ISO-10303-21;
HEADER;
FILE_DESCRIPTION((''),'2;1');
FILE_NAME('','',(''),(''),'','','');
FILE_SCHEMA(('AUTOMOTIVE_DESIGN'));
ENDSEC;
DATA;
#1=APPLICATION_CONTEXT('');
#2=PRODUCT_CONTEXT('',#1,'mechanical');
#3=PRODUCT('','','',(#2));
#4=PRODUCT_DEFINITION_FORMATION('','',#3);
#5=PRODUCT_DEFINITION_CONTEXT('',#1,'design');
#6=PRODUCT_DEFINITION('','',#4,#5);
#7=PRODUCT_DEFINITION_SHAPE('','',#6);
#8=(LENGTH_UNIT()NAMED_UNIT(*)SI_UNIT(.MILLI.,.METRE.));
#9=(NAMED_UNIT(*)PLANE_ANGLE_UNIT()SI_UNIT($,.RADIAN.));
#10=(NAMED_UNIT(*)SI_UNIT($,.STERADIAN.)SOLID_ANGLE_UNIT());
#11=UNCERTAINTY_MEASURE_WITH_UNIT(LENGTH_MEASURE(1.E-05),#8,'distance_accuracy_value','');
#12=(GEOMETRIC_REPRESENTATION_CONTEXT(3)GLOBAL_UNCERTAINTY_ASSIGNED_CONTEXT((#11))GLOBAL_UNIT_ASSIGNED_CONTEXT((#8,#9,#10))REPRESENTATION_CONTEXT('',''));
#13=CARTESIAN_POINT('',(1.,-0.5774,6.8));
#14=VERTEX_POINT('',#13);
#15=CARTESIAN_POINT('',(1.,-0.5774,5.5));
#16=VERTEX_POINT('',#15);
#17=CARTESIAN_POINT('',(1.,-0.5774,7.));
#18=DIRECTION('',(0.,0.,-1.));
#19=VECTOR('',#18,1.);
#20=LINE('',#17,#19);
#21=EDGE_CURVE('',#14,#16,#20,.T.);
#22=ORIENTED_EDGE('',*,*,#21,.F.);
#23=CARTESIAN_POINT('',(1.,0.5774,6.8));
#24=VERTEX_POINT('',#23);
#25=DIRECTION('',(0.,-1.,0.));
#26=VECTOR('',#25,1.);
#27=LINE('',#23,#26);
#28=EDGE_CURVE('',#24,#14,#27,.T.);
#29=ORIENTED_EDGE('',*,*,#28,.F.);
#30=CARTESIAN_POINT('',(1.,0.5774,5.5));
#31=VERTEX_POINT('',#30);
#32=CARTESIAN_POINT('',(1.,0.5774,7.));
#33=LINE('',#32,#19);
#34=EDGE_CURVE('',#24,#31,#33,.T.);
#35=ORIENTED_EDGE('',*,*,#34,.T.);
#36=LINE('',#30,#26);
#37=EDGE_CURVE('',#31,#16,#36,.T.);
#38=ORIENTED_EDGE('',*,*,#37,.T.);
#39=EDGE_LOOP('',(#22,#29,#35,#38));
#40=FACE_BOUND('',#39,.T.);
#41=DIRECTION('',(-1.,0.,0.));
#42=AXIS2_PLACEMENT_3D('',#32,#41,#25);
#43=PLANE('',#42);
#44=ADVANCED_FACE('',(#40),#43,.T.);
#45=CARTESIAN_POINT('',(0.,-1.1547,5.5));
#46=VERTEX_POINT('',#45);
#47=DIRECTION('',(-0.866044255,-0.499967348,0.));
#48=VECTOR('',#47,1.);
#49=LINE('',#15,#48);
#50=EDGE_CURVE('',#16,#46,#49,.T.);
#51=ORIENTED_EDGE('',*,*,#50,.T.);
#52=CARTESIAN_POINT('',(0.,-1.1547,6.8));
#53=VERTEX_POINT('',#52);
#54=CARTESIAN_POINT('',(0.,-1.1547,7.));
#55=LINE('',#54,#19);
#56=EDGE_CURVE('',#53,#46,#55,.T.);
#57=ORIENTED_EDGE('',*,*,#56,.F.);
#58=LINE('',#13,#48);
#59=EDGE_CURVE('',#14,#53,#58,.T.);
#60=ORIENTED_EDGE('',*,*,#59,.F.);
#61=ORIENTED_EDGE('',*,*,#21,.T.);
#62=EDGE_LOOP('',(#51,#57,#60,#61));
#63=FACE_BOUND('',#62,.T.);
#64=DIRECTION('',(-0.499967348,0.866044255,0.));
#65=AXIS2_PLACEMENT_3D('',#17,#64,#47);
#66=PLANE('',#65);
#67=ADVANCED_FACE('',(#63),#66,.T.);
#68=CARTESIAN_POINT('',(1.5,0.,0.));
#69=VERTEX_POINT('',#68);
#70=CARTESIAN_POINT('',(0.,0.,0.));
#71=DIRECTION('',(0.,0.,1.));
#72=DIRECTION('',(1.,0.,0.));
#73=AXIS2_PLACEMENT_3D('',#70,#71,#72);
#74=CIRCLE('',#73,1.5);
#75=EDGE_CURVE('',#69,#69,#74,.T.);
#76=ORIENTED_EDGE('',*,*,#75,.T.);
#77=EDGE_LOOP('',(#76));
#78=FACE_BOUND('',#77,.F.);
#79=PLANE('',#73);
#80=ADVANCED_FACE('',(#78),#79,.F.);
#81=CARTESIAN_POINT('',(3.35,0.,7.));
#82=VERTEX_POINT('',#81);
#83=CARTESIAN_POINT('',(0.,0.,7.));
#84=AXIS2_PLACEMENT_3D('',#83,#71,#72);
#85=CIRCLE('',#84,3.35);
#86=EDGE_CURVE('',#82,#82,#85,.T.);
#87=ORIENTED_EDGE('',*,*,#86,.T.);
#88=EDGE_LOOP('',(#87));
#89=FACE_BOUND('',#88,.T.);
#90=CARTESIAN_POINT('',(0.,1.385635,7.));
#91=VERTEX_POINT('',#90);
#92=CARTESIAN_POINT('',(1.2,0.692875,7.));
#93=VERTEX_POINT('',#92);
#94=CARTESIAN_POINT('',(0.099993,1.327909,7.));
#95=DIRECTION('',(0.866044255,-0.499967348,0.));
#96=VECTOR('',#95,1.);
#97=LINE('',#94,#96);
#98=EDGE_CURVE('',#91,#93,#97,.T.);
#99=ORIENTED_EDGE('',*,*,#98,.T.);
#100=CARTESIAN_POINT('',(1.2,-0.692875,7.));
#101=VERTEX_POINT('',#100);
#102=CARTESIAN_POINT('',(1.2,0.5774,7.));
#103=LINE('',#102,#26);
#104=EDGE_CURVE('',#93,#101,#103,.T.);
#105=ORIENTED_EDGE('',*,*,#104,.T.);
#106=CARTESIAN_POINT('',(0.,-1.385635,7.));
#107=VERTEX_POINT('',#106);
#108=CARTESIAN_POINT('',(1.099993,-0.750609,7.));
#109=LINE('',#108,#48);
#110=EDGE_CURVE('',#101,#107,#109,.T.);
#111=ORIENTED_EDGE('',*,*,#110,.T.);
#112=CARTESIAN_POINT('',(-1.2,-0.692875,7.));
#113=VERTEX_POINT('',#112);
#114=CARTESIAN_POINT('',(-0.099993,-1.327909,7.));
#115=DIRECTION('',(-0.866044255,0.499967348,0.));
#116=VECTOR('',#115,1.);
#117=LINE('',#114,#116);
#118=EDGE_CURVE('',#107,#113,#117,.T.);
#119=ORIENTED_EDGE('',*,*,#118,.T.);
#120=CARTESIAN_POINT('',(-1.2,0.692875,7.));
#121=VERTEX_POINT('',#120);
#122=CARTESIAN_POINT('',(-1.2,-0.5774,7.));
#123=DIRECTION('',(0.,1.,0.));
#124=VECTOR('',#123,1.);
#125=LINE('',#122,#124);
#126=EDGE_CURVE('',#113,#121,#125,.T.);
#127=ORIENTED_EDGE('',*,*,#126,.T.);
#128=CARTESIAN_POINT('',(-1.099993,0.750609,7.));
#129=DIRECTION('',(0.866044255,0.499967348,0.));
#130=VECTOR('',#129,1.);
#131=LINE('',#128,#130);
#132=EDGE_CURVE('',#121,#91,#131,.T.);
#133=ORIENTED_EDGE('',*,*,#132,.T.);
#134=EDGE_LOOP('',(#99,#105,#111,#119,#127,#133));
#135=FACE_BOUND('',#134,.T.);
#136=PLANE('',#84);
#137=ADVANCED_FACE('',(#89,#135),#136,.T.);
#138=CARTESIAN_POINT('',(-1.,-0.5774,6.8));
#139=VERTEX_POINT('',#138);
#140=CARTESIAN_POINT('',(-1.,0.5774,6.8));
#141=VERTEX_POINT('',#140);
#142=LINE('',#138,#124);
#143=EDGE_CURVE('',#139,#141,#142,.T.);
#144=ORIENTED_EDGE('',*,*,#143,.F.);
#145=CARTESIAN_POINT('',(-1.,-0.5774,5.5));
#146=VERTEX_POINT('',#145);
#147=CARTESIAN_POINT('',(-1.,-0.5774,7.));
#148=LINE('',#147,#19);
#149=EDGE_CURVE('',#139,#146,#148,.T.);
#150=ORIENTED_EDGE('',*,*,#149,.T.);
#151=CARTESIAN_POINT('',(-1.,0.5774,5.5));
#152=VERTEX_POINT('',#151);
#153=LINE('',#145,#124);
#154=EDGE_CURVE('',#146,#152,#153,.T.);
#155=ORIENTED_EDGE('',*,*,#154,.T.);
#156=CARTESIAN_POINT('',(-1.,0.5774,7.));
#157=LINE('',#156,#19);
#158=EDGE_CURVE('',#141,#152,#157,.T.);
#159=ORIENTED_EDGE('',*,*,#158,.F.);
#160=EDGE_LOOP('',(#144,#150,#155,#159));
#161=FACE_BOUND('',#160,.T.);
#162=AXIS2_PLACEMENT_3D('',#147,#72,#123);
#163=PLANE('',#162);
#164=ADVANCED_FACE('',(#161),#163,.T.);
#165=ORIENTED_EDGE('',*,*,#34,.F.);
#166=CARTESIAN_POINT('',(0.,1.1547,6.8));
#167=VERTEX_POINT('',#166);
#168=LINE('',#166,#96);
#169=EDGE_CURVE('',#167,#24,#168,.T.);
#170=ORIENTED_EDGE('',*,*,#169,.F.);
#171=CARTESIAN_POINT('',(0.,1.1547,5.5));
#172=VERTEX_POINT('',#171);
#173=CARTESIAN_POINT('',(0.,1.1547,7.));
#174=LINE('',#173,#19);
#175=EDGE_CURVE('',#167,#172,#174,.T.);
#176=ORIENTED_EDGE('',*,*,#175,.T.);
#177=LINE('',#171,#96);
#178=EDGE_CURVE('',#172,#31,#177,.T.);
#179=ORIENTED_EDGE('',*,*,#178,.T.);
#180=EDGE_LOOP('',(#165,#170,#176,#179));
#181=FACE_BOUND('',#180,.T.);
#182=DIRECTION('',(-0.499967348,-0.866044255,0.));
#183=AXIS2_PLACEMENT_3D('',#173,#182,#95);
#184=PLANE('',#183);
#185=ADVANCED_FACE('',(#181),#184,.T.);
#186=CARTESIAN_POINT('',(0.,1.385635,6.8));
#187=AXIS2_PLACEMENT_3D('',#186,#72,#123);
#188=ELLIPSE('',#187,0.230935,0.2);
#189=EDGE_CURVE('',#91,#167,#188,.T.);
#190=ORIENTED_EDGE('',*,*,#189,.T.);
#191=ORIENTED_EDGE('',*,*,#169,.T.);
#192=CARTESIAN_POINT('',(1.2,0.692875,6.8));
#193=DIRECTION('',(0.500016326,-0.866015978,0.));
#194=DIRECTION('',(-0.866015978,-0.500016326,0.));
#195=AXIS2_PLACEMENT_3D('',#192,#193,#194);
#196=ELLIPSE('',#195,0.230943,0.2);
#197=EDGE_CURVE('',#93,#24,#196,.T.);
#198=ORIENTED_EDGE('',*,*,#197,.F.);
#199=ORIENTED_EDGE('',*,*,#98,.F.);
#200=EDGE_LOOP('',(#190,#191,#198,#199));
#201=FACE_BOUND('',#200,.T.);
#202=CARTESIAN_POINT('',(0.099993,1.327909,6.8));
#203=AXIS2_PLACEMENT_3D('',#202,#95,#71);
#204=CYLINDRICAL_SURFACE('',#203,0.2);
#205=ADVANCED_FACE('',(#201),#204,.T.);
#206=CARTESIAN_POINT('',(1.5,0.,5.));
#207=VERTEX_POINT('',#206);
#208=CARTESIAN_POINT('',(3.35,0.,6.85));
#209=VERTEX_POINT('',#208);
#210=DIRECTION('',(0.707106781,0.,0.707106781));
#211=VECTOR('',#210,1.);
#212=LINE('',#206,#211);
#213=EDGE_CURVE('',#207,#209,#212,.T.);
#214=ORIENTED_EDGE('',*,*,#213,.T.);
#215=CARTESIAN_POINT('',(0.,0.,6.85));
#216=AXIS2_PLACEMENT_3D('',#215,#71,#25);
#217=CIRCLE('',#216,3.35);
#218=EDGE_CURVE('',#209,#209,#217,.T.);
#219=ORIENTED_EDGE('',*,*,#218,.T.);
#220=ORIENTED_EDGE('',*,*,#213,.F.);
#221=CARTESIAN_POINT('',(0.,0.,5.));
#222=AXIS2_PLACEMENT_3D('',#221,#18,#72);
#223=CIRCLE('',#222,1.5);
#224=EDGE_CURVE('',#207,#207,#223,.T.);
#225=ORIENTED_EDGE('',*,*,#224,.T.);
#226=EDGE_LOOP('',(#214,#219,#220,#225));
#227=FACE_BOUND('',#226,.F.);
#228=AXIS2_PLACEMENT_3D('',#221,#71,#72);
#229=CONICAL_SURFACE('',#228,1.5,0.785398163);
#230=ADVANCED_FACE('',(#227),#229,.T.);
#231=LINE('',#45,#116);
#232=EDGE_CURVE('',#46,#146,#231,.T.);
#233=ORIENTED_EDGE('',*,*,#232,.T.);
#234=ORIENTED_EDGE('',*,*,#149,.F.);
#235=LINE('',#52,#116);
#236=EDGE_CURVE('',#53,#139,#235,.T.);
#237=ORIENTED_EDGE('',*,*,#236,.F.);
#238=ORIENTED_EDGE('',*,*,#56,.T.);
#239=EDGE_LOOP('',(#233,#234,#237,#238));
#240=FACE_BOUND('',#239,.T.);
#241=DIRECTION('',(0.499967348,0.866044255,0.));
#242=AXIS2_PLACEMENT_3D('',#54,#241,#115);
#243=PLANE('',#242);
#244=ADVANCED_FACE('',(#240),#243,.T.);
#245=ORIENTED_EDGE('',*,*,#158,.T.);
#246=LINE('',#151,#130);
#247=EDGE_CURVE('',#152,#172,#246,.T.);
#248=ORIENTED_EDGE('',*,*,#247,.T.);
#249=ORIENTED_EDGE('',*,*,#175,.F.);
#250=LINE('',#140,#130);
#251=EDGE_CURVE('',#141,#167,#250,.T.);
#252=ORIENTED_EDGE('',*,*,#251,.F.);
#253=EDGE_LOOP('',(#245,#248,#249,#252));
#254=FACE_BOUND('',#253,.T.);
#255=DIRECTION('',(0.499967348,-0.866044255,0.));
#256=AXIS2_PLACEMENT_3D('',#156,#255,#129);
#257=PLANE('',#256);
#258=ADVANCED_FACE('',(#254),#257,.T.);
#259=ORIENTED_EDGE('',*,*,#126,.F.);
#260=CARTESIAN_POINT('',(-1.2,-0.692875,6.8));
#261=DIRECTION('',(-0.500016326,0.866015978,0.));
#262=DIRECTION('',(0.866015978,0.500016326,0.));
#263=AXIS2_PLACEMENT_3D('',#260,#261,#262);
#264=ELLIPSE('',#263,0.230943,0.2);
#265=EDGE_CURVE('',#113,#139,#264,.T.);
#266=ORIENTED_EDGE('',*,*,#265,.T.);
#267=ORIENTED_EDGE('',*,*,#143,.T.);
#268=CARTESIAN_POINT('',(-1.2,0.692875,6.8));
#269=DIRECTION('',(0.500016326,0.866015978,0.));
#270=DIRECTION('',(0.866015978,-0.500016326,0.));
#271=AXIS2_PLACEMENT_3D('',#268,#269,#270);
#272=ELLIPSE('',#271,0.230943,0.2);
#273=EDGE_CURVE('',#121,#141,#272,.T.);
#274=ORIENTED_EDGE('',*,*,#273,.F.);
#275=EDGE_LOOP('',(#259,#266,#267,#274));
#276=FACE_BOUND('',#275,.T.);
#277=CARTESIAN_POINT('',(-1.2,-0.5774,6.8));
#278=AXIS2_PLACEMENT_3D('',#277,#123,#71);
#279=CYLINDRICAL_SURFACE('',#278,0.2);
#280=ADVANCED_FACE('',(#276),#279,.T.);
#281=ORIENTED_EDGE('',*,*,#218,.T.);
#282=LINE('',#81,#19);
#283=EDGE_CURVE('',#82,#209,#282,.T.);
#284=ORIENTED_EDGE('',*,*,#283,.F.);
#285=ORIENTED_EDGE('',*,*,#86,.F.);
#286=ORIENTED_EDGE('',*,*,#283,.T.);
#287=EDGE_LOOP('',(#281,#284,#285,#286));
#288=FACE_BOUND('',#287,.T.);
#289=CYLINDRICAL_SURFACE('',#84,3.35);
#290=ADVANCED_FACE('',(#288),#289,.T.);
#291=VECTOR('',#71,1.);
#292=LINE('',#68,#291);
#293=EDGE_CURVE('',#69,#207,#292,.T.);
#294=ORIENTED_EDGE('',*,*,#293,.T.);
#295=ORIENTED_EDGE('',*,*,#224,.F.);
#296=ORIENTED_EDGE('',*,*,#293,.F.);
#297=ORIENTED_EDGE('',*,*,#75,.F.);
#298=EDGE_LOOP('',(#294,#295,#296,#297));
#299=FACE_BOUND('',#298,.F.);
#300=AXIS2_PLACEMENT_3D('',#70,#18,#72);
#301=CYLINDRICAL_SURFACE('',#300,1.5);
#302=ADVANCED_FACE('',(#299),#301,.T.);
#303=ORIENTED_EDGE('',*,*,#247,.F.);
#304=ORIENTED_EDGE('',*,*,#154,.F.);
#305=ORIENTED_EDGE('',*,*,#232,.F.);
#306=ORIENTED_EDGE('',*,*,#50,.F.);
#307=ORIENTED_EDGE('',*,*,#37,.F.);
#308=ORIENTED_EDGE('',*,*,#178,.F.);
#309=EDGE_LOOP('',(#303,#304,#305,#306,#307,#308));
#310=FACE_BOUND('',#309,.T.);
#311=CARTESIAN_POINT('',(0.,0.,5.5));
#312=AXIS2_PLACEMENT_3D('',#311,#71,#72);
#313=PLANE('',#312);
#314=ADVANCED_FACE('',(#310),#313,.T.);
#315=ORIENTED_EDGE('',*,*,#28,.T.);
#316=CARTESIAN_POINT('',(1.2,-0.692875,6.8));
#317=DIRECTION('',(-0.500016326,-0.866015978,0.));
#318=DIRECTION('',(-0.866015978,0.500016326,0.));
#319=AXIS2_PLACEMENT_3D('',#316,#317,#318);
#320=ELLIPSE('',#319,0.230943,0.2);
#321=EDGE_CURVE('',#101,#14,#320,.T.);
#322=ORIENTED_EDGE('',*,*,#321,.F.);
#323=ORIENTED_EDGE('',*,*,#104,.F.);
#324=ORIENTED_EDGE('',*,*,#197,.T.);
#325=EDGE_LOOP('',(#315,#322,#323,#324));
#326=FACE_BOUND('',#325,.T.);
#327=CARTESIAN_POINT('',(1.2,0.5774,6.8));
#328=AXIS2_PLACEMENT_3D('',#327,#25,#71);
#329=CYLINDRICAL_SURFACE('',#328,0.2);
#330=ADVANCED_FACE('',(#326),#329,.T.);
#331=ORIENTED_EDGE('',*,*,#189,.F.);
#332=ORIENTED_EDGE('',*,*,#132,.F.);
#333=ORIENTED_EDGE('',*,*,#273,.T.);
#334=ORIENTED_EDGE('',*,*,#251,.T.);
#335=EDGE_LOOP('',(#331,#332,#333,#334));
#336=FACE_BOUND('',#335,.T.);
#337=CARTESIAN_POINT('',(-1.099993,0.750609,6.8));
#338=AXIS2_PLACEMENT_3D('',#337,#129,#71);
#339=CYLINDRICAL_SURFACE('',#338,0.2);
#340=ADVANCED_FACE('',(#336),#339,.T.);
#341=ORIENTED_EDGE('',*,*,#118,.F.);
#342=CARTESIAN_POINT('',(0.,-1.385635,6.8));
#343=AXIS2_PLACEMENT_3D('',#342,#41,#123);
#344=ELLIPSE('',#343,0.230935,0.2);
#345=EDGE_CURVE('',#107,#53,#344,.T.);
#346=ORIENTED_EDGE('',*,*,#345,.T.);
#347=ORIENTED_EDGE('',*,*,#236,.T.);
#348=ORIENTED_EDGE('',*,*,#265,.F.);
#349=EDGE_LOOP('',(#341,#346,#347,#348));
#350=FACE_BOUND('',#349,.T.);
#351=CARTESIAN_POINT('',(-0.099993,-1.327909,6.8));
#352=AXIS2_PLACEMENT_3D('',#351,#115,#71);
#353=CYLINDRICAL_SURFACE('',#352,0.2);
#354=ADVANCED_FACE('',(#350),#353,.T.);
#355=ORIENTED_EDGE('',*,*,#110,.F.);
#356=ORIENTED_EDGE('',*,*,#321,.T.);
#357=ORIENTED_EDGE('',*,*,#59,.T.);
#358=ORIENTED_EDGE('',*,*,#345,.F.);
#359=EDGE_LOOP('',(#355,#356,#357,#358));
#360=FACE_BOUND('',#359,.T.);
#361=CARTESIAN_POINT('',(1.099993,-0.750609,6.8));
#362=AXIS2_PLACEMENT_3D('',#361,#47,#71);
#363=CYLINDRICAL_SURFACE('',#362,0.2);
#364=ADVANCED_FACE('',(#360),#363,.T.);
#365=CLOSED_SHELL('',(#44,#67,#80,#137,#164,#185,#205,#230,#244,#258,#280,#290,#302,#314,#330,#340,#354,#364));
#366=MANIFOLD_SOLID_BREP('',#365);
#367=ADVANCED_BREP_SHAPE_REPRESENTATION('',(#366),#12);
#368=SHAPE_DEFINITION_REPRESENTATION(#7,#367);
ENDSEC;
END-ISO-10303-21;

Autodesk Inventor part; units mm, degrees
ref_plane "YZ Plane" through (0, 0, 0) normal (1, 0, 0) x (0, 1, 0)
ref_plane "XZ Plane" through (0, 0, 0) normal (0, 1, 0) x (-1, 0, 0)
ref_plane "XY Plane" through (0, 0, 0) normal (0, 0, 1) x (1, 0, 0)
sketch "Sketch1" plane through (0, 0, 0) normal (0, 0, 1) x (1, 0, 0)
  circle A0 centre (0, 0) radius 1.5
  dimension "d0" = 3
extrude "Extrusion1" add sketch "Sketch1" along normal blind 5
sketch "Sketch2" plane through (0, 0, 5) normal (0, 0, 1) x (1, 0, 0)
  circle A0 centre (0, 0) radius 1.5 projected
extrude "Extrusion2" add sketch "Sketch2" along normal blind 2 draft 45
sketch "Sketch3" plane through (0, 0, 7) normal (0, 0, 1) x (1, 0, 0)
  circle A0 centre (0, 0) radius 3.5 projected
  circle A1 centre (0, 0) radius 3.35
  dimension "d5" = 6.7
extrude "Extrusion3" cut sketch "Sketch3" against normal blind 2
thread "Thread1" size "M3x0.5" class "6g" standard "ANSI Metric M Profile" full length
sketch "Sketch4" plane through (0, 0, 7) normal (0, 0, 1) x (1, 0, 0)
  circle A0 centre (0, 0) radius 3.35 projected
  line L0 (0, -1.1547) -> (-1, -0.5774)
  line L1 (-1, -0.5774) -> (-1, 0.5774)
  line L2 (-1, 0.5774) -> (0, 1.1547)
  line L3 (0, 1.1547) -> (1, 0.5774)
  line L4 (1, 0.5774) -> (1, -0.5774)
  line L5 (1, -0.5774) -> (0, -1.1547)
  dimension "d10" = 1
extrude "Extrusion4" cut sketch "Sketch4" against normal blind 1.5 contours L0 L1 L2 L3 L4 L5
fillet "Fillet1" radius 0.2 6 edges at (-0.5, 0.866, 7) (-1, 0, 7) (-0.5, -0.866, 7) (0.5, -0.866, 7) (1, 0, 7) (0.5, 0.866, 7)
properties part number "bed m3 bolt" material "Stainless Steel"
